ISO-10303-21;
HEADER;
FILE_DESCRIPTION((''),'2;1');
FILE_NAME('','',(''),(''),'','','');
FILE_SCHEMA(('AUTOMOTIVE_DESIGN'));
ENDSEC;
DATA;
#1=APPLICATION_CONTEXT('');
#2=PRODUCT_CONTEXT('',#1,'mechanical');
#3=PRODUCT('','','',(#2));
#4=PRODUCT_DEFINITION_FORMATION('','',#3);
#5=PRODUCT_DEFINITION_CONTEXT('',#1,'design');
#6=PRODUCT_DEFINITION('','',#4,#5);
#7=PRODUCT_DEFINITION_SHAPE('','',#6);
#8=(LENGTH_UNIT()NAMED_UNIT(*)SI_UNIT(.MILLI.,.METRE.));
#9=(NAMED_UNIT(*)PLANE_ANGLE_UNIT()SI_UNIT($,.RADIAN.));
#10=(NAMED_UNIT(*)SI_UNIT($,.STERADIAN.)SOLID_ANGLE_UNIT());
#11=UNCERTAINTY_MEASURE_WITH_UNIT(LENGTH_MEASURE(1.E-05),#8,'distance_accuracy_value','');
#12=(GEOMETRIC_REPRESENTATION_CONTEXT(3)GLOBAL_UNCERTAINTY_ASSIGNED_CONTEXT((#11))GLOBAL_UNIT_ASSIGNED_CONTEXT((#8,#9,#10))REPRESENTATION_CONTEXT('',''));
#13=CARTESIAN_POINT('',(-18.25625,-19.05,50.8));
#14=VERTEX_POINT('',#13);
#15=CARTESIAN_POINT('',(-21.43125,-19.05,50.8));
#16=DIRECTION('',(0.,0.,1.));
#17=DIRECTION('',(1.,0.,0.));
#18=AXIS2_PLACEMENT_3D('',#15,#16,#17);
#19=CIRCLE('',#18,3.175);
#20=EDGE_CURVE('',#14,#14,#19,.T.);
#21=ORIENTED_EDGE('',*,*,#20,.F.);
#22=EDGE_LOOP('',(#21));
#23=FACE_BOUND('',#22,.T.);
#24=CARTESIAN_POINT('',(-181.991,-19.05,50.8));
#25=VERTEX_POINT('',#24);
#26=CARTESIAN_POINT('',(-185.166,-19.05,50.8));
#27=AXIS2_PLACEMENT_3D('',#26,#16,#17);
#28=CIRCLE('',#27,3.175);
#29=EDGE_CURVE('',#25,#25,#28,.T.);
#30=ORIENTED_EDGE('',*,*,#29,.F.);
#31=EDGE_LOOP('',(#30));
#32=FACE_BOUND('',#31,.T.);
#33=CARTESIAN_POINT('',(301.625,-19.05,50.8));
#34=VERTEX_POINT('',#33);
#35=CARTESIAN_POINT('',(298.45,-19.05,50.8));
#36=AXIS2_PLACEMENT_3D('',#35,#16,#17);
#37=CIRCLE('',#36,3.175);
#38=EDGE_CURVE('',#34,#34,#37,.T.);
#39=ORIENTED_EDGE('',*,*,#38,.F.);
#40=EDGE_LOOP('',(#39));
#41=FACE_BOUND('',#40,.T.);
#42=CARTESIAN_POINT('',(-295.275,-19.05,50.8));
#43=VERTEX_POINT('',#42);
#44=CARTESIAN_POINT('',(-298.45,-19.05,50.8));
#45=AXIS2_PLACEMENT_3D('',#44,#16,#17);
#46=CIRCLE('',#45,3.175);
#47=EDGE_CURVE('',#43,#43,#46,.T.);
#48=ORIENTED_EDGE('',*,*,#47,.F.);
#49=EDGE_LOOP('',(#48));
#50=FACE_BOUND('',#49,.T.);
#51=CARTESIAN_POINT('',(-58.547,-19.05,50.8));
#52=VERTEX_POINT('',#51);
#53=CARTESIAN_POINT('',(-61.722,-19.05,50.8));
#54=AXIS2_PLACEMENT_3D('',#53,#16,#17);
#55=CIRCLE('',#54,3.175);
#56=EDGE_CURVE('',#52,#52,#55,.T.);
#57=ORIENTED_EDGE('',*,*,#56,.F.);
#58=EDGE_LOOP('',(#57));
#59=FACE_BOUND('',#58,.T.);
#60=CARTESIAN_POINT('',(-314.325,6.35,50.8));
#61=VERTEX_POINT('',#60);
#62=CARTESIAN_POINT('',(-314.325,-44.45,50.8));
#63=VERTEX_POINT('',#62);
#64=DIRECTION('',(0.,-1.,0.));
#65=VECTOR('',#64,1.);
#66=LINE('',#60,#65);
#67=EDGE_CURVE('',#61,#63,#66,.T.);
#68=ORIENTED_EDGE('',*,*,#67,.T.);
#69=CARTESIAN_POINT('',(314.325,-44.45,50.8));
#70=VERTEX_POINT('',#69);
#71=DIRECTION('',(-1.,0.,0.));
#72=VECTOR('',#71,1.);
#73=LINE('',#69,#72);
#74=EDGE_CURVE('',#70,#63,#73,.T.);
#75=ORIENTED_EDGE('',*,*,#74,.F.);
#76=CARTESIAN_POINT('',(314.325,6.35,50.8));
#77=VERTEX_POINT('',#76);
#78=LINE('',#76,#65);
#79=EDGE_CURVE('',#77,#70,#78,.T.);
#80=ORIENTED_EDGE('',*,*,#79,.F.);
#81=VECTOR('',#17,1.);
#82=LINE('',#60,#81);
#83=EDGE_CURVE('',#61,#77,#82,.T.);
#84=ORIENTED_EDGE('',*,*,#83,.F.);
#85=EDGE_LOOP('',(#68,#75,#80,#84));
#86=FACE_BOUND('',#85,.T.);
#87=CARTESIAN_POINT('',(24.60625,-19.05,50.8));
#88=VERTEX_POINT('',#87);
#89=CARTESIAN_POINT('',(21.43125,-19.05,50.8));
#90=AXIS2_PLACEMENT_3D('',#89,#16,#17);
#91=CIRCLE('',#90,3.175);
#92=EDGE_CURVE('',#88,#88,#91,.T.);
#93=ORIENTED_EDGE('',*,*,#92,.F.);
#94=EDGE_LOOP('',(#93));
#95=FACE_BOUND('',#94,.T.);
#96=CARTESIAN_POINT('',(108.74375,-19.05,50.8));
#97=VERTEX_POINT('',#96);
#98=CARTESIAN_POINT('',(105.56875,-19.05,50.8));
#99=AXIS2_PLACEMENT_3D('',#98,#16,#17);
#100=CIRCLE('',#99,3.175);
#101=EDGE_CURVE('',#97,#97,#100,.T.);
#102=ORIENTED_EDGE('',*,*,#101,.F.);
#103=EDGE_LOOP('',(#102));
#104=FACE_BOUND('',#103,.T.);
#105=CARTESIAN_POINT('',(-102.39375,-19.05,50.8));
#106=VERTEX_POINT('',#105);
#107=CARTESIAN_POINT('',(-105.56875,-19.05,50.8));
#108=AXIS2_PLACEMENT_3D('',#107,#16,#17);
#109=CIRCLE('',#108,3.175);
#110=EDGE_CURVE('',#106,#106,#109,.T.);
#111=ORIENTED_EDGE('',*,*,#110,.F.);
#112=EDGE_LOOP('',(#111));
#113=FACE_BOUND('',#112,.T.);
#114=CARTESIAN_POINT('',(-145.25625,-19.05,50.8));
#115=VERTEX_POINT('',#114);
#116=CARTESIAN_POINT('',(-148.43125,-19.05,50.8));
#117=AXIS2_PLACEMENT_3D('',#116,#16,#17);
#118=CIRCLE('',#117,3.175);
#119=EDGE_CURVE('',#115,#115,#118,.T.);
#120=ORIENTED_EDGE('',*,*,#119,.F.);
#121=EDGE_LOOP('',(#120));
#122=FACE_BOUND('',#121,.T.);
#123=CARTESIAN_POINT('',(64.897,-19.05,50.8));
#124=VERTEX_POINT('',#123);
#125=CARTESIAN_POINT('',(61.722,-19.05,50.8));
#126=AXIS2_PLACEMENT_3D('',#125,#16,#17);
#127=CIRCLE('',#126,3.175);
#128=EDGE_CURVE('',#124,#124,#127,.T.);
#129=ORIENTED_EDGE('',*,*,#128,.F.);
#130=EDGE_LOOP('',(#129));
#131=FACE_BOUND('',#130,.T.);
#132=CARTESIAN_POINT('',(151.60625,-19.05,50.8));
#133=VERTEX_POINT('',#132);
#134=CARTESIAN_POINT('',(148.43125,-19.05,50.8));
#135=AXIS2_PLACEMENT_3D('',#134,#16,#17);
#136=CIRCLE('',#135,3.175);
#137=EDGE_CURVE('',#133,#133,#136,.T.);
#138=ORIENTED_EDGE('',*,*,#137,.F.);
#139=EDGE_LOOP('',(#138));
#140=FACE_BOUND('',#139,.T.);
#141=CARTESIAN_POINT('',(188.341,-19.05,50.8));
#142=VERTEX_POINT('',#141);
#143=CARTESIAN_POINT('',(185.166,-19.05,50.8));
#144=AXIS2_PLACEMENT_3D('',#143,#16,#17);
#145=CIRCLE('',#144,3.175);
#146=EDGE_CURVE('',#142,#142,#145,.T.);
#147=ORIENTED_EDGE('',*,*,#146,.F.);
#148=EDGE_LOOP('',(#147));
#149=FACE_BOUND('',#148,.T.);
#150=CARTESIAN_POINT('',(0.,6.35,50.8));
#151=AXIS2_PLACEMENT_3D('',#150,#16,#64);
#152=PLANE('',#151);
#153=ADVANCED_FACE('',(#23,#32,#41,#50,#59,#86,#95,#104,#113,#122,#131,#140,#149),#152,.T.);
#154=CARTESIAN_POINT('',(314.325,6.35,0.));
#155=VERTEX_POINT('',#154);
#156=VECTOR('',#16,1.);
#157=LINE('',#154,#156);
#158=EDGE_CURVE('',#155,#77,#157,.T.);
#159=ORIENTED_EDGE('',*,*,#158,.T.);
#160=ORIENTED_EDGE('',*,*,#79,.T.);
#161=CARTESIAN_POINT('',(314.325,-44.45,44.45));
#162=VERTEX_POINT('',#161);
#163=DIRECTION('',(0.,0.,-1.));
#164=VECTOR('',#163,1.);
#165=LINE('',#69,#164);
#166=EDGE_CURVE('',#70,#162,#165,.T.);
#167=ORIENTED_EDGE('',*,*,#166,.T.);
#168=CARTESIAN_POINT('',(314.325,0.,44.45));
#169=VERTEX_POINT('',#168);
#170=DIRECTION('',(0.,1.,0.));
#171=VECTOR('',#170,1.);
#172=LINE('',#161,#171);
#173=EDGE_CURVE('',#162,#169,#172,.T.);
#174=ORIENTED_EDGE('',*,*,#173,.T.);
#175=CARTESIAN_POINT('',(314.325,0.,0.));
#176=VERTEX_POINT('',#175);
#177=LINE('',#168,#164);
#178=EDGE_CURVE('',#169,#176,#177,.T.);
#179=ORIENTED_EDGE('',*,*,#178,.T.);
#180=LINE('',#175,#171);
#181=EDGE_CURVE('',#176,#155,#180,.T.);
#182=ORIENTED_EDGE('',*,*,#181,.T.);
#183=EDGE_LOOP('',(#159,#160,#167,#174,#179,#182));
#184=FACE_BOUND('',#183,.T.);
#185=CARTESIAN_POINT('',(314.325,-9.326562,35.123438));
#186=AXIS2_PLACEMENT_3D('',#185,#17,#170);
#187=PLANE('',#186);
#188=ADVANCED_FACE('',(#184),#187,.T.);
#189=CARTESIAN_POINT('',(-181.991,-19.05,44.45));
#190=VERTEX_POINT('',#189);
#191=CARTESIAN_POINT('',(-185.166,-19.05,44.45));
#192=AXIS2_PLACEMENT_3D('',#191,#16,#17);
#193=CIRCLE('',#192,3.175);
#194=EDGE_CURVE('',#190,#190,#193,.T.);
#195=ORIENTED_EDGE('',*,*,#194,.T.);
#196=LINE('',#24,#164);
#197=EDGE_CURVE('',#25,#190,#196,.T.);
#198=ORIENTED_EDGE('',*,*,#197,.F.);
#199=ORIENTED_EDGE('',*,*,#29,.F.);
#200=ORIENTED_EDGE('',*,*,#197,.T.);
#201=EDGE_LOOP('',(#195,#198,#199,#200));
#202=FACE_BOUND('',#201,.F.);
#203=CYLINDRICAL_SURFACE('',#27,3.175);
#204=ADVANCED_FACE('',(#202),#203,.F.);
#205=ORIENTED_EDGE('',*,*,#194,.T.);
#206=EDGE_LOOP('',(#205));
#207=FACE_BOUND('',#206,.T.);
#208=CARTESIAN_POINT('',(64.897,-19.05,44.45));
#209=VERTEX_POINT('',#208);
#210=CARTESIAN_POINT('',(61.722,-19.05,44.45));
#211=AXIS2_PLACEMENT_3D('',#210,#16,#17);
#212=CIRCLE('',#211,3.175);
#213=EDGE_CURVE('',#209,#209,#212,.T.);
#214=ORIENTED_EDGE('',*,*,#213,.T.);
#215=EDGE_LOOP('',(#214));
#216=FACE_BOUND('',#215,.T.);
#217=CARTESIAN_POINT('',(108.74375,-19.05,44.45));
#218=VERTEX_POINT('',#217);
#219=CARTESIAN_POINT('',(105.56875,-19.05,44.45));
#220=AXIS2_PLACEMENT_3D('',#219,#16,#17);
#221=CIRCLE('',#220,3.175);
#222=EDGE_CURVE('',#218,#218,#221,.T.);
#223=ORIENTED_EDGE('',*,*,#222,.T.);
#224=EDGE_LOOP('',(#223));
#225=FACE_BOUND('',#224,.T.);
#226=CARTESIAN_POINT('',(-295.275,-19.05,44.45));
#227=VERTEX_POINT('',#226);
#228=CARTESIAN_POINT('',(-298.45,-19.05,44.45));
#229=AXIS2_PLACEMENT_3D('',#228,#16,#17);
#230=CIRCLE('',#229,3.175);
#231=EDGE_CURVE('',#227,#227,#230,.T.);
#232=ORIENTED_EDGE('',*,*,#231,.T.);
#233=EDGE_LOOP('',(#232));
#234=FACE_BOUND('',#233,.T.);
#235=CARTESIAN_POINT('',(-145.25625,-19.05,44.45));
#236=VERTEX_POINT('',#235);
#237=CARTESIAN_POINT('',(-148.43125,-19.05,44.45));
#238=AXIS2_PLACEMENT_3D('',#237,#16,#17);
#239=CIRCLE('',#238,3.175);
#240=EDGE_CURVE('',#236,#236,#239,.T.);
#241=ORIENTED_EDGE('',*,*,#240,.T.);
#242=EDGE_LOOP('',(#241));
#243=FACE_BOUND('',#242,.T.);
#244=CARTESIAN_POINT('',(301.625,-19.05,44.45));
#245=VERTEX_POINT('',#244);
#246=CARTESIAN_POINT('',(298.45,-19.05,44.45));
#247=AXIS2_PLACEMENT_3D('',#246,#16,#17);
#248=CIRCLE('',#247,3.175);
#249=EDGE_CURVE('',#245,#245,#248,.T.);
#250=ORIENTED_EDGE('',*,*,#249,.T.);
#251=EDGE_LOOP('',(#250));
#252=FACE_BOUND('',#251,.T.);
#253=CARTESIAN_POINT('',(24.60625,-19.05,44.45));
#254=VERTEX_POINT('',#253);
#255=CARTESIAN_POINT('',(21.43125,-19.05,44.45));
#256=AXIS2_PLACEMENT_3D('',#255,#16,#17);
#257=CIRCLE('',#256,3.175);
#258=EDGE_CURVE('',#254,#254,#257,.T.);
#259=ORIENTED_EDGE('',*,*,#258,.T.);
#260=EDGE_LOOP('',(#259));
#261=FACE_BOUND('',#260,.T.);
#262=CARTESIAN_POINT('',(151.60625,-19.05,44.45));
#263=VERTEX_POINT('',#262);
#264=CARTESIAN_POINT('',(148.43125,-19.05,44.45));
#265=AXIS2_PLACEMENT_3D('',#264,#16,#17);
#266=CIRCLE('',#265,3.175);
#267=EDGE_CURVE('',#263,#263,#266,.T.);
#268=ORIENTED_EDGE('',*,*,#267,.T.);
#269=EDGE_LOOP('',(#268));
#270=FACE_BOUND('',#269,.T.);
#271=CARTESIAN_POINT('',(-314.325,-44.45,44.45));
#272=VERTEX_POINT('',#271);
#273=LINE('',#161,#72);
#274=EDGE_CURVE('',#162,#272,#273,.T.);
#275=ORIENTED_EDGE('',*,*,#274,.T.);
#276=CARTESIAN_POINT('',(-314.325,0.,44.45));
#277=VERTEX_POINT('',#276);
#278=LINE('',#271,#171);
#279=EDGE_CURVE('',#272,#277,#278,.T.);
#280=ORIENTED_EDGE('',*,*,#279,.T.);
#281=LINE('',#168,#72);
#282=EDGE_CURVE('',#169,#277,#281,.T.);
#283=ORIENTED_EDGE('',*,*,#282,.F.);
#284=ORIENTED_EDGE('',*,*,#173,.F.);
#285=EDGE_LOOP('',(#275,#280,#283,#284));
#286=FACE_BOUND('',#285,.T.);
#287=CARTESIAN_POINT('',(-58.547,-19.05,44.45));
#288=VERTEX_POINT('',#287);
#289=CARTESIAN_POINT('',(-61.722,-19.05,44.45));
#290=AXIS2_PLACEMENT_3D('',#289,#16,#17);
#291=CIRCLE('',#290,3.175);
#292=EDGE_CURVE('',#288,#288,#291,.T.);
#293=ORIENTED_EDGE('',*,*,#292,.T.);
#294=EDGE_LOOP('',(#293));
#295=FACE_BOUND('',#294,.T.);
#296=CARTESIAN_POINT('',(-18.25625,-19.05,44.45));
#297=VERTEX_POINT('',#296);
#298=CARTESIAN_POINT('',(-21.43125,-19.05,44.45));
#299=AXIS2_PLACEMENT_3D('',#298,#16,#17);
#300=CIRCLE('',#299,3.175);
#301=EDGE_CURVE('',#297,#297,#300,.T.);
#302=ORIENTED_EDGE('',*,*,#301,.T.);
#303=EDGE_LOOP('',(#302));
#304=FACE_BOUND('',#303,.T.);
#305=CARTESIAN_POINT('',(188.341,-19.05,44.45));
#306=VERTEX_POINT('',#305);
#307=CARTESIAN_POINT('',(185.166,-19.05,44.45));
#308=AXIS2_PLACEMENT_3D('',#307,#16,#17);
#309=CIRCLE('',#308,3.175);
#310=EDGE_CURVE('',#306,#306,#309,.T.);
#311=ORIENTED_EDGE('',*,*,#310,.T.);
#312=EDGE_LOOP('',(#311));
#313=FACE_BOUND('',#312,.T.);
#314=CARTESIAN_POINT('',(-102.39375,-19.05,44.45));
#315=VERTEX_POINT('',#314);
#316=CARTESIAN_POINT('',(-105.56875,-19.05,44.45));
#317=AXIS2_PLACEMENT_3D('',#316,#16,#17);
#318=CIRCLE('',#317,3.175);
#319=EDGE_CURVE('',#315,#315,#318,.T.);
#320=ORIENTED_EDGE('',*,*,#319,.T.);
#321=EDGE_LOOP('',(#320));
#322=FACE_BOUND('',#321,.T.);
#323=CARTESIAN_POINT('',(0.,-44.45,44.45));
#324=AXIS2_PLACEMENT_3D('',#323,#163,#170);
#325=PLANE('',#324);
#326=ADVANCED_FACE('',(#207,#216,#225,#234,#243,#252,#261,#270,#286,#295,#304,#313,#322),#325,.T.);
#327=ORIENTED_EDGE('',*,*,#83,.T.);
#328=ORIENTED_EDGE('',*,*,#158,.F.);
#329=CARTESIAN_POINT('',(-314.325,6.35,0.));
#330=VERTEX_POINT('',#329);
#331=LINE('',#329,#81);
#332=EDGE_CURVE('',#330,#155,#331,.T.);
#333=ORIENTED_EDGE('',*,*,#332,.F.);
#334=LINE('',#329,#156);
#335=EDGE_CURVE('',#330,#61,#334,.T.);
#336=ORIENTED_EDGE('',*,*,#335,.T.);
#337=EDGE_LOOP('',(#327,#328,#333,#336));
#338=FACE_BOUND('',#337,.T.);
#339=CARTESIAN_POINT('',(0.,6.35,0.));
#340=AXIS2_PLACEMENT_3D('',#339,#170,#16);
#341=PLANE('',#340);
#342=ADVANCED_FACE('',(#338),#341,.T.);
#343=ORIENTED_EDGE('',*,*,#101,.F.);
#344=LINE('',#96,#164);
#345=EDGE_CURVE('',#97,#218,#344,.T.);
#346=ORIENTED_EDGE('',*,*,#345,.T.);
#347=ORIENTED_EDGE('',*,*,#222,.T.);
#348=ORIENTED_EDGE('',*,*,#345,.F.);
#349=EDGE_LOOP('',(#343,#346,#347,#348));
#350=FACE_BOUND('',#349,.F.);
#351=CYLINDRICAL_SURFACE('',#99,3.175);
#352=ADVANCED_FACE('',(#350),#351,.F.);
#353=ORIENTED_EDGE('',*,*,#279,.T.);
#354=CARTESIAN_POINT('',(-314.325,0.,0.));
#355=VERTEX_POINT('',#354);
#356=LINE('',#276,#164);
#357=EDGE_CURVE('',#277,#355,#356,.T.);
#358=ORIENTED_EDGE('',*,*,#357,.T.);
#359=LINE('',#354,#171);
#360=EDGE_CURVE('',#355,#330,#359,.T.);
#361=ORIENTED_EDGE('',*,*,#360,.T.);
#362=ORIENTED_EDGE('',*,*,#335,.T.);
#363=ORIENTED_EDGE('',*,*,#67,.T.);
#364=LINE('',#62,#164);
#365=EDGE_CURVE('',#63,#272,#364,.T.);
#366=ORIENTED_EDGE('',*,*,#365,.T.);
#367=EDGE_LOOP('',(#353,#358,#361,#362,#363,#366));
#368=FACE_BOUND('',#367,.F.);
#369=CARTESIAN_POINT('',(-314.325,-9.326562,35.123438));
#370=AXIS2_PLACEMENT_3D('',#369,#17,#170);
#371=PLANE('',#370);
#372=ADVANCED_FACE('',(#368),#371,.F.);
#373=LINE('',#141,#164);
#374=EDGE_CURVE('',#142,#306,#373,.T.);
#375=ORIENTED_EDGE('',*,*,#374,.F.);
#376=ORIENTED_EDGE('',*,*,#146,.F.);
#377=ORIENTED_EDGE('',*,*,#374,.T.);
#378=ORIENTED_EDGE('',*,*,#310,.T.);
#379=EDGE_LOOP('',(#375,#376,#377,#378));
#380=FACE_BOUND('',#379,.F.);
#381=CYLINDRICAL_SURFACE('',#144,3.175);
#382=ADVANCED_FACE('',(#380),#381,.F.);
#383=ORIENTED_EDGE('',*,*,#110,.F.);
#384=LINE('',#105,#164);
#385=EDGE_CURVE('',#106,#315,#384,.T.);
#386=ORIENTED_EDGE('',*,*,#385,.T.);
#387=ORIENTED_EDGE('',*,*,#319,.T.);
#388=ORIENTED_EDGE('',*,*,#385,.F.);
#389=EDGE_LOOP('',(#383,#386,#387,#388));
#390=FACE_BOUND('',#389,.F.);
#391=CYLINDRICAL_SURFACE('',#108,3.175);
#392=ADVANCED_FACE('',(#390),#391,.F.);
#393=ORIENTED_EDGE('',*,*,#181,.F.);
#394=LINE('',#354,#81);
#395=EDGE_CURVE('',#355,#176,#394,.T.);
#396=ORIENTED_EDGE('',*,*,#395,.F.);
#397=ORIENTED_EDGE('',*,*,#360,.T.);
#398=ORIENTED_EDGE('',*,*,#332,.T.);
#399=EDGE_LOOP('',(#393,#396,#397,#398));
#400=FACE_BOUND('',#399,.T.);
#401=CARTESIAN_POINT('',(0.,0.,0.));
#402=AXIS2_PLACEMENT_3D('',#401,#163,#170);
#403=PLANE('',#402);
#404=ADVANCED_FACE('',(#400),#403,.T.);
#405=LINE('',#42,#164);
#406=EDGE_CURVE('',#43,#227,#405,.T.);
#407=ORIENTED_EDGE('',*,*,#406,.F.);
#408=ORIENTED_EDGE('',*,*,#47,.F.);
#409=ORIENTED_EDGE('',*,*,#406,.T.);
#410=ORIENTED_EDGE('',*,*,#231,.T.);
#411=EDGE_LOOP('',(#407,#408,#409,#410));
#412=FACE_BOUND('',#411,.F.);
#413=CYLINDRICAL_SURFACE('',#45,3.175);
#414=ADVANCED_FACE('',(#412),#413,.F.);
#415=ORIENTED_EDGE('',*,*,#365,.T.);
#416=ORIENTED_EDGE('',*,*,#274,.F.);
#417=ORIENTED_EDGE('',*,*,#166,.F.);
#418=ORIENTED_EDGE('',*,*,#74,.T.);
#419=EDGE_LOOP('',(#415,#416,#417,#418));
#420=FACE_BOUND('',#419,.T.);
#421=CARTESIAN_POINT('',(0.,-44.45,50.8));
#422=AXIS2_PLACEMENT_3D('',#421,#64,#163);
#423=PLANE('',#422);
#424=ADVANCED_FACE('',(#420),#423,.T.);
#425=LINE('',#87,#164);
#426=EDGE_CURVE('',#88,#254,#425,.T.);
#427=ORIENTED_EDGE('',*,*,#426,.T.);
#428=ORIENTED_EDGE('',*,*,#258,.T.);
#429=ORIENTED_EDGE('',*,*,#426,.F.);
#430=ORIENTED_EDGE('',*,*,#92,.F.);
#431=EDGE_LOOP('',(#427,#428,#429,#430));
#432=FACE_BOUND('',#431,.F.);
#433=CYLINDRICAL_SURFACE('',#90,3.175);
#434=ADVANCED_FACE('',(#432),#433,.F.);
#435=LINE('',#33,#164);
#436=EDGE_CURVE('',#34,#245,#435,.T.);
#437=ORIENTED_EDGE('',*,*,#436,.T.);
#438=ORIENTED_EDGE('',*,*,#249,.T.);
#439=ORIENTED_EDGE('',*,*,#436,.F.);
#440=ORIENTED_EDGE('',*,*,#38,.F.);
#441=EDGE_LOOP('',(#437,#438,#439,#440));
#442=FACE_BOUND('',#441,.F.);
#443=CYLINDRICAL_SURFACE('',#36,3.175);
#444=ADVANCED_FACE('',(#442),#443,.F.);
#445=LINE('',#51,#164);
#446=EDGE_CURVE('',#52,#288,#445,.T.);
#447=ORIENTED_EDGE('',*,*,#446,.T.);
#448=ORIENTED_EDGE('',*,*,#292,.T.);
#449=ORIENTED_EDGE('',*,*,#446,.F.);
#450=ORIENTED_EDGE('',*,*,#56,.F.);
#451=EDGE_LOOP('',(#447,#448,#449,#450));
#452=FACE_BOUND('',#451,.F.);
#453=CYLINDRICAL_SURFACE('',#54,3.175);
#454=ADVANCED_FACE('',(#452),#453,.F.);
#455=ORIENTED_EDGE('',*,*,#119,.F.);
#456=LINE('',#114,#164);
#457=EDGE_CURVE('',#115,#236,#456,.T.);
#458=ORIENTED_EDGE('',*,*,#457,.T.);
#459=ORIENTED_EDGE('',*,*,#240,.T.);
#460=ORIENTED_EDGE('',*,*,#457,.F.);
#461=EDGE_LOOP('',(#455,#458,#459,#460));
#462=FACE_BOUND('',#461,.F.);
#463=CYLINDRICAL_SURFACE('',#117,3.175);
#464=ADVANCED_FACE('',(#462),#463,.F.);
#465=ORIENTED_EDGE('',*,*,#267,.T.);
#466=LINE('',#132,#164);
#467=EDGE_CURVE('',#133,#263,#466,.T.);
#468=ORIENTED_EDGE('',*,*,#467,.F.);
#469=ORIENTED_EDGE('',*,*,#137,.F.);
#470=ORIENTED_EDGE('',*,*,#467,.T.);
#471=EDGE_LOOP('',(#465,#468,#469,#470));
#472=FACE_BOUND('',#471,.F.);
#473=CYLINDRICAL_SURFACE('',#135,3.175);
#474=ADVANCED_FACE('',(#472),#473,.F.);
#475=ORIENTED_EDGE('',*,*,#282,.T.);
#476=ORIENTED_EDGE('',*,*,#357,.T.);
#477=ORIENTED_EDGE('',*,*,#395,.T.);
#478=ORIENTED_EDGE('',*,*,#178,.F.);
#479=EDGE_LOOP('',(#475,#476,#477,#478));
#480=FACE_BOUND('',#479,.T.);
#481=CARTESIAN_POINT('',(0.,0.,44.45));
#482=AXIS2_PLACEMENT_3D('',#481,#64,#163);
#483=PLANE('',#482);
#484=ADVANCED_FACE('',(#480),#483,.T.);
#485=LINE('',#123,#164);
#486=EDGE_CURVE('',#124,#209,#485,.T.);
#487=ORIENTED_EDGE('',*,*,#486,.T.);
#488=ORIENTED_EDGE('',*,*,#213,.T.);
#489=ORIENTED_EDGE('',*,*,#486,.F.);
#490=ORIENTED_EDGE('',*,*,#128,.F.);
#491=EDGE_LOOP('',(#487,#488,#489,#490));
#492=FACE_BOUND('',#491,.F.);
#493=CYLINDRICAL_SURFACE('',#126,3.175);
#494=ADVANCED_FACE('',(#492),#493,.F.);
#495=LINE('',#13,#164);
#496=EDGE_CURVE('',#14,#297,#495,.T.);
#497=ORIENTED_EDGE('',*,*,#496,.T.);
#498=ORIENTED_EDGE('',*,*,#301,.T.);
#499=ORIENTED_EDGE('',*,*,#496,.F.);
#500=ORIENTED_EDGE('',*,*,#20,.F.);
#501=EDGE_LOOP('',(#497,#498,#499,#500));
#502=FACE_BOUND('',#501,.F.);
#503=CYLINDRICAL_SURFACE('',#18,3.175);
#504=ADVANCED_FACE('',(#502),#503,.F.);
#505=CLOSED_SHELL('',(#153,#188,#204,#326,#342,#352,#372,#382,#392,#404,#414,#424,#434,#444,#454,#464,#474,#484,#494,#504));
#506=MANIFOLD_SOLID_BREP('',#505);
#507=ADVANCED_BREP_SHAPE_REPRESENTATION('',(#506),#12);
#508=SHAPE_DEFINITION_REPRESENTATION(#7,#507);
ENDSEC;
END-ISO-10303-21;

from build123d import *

# Parameters (mm, degrees)
F1_DEPTH = 314.325
F2_R     = 3.175
F3_DEPTH = 50.801
F4_R     = 3.175
F5_DEPTH = 50.801


with BuildPart() as f1:
    # F0 (on Right) → F1 (new body, symmetric)
    with BuildSketch(Plane.YZ):
        Polygon((0, 44.45), (0, 0), (6.35, 0), (6.35, 50.8), (-44.45, 50.8), (-44.45, 44.45), align=None)
    extrude(amount=F1_DEPTH, both=True)

    # F2 (on face) → F3 (cut, through all)
    with BuildSketch(Plane.XY.offset(50.8)):
        with Locations((-298.45, -19.05)):
            Circle(F2_R)
        with Locations((-105.56875, -19.05)):
            Circle(F2_R)
        with Locations((298.45, -19.05)):
            Circle(F2_R)
        with Locations((-148.43125, -19.05)):
            Circle(F2_R)
        with Locations((-21.43125, -19.05)):
            Circle(F2_R)
        with Locations((21.43125, -19.05)):
            Circle(F2_R)
        with Locations((105.56875, -19.05)):
            Circle(F2_R)
        with Locations((148.43125, -19.05)):
            Circle(F2_R)
    extrude(amount=-F3_DEPTH, mode=Mode.SUBTRACT)

    # F4 (on face) → F5 (cut, through all)
    with BuildSketch(Plane.XY.offset(50.8)):
        with Locations((-185.166, -19.05)):
            Circle(F4_R)
        with Locations((-61.722, -19.05)):
            Circle(F4_R)
        with Locations((61.722, -19.05)):
            Circle(F4_R)
        with Locations((185.166, -19.05)):
            Circle(F4_R)
    extrude(amount=-F5_DEPTH, mode=Mode.SUBTRACT)


solid = f1.part
